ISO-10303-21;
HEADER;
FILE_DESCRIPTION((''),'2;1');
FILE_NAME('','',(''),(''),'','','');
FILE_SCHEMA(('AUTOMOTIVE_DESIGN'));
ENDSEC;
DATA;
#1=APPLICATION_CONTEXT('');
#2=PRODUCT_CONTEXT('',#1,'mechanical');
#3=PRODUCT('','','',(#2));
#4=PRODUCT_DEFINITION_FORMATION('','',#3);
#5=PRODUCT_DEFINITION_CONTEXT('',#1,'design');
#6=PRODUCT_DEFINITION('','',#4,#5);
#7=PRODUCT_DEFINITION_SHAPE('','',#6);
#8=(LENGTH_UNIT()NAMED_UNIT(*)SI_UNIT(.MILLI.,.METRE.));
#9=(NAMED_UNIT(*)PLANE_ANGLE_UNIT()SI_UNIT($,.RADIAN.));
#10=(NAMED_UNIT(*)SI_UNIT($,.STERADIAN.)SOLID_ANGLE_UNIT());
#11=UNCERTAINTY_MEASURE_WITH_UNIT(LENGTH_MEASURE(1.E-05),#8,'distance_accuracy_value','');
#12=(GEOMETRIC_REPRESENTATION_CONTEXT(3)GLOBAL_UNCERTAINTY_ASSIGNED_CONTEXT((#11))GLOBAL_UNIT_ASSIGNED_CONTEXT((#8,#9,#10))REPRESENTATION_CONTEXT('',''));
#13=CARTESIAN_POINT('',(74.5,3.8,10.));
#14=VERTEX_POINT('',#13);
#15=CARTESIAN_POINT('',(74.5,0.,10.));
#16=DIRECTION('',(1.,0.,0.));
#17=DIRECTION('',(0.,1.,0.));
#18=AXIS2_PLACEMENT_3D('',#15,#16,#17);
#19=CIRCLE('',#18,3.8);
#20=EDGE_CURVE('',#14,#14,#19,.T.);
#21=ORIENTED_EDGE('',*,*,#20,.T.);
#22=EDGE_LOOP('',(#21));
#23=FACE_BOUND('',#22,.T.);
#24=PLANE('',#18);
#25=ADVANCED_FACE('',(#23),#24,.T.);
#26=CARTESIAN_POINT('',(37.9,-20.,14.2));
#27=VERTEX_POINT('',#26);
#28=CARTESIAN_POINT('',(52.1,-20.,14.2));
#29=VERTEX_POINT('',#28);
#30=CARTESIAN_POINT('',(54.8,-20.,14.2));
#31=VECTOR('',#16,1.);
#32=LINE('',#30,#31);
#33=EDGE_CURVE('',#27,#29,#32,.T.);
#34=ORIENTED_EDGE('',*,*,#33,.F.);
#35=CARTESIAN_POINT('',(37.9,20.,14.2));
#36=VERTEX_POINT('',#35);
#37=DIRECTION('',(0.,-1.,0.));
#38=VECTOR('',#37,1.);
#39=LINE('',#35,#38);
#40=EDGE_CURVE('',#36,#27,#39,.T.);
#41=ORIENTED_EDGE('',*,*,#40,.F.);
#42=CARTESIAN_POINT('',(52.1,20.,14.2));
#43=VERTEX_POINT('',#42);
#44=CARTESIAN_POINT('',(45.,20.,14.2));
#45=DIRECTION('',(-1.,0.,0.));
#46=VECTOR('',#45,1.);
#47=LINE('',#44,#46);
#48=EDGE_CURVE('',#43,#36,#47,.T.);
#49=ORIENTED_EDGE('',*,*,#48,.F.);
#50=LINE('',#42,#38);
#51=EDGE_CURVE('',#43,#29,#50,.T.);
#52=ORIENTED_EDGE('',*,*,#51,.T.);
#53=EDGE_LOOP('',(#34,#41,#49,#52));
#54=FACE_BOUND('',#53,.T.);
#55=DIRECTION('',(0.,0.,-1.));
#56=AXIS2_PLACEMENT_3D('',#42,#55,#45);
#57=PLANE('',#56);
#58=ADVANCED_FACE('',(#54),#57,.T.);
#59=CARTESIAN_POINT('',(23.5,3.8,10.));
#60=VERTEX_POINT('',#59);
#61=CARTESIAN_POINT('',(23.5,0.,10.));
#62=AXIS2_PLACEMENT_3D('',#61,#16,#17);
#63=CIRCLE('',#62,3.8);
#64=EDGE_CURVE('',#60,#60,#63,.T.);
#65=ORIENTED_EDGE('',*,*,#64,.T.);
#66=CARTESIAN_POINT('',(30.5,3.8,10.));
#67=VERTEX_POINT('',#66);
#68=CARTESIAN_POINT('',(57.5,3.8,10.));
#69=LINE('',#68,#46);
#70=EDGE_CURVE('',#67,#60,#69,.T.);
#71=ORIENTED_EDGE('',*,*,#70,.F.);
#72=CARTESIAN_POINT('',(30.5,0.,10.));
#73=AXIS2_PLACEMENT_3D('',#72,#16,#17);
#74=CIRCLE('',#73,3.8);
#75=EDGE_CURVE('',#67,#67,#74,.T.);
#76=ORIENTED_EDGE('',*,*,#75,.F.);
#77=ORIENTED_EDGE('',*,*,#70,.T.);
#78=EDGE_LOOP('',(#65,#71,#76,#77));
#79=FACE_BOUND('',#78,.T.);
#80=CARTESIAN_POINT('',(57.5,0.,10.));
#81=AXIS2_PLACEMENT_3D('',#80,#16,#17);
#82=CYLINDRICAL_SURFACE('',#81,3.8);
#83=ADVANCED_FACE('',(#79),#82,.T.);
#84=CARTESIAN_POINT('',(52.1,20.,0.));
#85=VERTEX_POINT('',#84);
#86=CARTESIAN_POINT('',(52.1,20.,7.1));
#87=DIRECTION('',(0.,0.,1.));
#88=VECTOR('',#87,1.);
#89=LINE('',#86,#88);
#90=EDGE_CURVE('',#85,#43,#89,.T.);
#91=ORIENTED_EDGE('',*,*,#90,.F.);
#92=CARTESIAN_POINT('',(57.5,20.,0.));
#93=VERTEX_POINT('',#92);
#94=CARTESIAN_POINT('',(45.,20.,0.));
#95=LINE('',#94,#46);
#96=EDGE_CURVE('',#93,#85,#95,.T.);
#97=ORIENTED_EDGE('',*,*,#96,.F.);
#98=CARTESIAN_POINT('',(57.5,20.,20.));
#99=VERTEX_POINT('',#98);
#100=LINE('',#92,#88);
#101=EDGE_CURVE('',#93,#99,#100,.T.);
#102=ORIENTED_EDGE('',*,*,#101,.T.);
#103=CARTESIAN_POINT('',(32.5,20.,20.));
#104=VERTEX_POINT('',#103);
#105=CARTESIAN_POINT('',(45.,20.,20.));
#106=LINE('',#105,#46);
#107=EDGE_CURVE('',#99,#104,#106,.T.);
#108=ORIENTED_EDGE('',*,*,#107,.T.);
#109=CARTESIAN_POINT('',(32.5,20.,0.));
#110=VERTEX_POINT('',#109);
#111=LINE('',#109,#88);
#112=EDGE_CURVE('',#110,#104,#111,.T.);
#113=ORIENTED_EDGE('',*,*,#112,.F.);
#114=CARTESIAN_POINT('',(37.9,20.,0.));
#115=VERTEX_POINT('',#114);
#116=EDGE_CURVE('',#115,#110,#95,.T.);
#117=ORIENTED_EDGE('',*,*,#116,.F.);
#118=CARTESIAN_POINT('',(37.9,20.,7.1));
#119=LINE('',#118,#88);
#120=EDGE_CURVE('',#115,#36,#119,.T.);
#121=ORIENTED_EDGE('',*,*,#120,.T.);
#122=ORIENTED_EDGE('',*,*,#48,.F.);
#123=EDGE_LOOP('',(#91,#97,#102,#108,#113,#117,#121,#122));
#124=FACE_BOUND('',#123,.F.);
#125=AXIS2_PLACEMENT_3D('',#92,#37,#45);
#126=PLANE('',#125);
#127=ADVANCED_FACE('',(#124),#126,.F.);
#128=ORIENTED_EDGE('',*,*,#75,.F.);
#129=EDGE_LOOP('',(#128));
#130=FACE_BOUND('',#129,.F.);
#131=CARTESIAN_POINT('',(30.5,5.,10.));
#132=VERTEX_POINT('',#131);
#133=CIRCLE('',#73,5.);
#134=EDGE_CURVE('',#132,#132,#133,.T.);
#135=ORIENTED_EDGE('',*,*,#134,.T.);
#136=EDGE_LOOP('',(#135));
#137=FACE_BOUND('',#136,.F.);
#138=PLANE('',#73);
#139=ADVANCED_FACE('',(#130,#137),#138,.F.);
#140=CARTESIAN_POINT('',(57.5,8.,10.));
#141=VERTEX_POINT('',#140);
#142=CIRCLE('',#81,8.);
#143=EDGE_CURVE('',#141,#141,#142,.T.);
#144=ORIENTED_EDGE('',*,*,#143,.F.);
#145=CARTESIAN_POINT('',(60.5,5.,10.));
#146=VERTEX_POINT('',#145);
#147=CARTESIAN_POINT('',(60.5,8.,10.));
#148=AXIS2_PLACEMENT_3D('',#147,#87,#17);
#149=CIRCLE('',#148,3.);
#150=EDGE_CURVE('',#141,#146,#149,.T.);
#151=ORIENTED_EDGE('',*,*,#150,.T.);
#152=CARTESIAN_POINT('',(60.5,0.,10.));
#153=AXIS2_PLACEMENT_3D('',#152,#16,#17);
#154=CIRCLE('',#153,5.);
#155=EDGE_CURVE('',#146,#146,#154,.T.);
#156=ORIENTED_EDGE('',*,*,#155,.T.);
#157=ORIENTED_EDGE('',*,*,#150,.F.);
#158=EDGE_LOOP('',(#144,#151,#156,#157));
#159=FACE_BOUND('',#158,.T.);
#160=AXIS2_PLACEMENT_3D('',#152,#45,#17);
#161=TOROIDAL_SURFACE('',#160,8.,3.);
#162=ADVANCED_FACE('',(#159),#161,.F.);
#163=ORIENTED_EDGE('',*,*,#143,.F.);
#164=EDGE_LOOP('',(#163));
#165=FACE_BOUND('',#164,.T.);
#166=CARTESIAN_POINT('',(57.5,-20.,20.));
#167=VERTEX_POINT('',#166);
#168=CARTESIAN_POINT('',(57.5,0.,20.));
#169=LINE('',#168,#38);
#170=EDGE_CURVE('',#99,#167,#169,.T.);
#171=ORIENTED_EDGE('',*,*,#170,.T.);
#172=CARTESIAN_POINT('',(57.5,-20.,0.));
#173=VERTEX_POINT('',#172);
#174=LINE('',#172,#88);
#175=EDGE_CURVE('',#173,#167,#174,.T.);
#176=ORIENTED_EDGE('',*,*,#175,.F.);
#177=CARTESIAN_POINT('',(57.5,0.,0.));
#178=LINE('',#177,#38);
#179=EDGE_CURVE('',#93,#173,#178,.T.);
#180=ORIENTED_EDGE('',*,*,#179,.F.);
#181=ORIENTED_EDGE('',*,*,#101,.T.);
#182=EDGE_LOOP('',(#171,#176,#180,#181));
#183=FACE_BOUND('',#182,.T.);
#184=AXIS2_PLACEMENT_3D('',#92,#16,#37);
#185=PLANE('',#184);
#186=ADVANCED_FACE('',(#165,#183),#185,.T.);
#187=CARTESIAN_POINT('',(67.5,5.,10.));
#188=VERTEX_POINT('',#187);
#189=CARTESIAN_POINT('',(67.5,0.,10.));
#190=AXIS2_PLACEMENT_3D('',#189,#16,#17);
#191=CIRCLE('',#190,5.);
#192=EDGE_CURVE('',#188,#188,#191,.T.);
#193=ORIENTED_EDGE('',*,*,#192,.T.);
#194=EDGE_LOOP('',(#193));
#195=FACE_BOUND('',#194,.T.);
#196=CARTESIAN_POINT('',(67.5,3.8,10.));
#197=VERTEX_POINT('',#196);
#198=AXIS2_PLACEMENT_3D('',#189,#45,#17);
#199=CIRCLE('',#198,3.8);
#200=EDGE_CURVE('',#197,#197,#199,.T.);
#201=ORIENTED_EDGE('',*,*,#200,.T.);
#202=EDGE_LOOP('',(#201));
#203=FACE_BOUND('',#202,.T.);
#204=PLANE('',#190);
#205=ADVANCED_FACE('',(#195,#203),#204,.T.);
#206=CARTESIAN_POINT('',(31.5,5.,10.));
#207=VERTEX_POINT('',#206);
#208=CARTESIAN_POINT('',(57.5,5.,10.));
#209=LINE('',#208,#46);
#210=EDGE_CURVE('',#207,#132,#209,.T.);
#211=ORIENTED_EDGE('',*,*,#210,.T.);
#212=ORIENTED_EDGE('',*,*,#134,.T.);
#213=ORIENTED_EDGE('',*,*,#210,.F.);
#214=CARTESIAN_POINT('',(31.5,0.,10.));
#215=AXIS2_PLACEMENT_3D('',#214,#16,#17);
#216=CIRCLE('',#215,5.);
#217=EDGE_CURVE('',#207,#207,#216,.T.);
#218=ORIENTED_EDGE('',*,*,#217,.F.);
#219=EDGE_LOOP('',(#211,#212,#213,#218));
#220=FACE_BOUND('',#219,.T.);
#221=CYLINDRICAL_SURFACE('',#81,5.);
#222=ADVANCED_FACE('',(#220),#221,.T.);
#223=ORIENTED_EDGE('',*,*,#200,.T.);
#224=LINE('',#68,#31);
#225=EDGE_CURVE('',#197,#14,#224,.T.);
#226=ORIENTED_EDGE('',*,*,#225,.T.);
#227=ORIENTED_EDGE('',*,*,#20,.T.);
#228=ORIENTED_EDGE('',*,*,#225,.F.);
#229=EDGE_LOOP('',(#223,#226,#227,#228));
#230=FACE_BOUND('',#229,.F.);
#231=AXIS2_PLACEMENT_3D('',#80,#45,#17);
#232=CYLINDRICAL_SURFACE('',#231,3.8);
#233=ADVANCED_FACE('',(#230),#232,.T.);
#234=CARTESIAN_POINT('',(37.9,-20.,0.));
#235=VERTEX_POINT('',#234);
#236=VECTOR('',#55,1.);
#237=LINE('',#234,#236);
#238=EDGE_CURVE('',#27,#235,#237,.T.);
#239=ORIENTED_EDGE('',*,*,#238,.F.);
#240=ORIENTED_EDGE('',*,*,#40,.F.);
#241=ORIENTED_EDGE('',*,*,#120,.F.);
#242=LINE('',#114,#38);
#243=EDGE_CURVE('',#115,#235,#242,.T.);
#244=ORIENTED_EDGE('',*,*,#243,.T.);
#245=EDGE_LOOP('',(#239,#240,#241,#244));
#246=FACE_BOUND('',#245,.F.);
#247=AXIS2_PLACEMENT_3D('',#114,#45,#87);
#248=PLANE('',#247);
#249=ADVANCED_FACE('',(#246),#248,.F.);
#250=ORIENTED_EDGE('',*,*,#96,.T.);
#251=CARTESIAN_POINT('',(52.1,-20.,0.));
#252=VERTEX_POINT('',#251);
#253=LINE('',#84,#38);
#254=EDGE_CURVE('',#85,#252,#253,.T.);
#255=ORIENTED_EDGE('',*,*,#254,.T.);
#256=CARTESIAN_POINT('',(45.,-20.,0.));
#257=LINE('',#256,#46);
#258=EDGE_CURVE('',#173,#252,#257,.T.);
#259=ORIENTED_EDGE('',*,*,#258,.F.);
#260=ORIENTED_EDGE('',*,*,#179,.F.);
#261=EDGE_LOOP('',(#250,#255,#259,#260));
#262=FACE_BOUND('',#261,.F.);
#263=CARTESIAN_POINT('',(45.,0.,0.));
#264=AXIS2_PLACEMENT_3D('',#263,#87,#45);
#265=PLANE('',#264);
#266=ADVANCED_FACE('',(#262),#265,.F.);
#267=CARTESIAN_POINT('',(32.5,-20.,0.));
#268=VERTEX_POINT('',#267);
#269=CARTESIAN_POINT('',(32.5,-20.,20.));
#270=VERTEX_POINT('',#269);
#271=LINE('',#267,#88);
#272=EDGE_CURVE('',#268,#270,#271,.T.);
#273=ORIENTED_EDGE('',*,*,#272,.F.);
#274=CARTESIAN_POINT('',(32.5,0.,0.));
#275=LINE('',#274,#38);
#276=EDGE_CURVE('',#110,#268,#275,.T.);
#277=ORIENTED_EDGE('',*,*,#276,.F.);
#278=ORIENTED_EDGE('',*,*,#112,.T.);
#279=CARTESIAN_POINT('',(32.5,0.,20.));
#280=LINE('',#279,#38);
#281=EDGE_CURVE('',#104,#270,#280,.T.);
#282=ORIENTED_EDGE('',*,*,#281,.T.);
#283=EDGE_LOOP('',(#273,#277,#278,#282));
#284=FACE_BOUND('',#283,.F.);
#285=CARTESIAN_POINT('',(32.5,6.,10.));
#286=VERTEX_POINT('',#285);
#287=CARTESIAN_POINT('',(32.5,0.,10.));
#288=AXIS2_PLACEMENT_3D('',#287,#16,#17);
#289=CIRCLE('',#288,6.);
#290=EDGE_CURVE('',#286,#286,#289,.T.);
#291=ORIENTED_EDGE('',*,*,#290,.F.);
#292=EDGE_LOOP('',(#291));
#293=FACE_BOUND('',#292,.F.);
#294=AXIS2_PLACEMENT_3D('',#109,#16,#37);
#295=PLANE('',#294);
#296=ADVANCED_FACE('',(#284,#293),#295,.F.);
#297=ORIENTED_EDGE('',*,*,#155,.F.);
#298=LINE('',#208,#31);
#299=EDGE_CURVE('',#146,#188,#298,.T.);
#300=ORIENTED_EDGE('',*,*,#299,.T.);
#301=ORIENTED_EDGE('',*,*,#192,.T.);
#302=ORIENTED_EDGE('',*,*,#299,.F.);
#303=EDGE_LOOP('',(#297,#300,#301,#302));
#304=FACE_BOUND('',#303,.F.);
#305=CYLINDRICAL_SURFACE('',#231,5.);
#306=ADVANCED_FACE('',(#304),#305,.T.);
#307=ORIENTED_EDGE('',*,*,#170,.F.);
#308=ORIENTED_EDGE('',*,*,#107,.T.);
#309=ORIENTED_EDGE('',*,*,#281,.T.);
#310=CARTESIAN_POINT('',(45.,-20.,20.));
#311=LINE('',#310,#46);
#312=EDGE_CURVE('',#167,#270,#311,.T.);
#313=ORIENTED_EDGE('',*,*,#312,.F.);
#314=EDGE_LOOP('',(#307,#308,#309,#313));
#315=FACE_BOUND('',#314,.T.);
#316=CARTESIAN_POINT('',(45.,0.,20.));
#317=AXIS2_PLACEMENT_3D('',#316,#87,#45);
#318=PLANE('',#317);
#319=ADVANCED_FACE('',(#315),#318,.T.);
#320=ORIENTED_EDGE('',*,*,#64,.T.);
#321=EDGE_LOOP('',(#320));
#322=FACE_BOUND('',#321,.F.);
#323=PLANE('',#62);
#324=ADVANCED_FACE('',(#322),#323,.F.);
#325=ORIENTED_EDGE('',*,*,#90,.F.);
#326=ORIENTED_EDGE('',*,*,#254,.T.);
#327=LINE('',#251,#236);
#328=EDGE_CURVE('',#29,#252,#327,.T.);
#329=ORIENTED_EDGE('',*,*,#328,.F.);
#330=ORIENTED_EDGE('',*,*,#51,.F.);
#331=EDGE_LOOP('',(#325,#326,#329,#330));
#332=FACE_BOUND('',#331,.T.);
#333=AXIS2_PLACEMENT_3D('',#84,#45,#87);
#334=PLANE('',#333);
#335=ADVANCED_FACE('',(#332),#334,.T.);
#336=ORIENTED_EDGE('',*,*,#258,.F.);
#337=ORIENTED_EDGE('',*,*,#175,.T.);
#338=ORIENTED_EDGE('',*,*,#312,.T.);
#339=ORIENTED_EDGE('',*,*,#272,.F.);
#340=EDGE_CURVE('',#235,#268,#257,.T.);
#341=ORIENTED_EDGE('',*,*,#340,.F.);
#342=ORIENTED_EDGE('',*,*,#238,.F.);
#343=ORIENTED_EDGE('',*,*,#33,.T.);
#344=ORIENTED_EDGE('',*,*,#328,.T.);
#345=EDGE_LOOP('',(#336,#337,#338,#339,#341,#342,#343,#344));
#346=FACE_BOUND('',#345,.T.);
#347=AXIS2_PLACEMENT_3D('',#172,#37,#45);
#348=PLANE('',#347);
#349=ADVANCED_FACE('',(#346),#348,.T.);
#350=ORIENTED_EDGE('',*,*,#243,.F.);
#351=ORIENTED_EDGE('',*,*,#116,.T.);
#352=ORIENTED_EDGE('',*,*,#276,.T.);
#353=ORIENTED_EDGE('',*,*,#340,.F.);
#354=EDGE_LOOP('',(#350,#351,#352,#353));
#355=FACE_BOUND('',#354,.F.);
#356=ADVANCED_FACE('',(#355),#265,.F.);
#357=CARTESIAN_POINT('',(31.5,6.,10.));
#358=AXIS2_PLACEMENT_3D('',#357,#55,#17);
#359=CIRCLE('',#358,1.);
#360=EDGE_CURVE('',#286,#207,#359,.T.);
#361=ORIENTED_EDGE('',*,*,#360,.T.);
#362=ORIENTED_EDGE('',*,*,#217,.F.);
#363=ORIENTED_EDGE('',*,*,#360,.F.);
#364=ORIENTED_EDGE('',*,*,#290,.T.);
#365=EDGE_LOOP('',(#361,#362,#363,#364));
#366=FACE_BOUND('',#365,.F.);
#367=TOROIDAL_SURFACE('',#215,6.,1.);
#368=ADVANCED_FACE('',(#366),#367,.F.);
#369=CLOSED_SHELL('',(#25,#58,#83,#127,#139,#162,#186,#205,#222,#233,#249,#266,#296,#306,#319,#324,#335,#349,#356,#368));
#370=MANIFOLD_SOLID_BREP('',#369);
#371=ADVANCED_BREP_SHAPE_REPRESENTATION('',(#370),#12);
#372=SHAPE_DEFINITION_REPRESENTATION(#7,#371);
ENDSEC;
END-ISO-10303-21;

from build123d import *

# Parameters (mm, degrees)
SKETCH_W              = 25
SKETCH_H              = 40
PAD_DEPTH             = 20
SKETCH001_R           = 3.8
PAD001_DEPTH          = 17
PAD001_DEPTH_BACK     = 34
SKETCH002_R           = 5
PAD002_DEPTH          = 10
PAD002_DEPTH_BACK     = 27
SKETCH003_W           = 14.2
SKETCH003_H           = 14.2
POCKET_DEPTH          = 50
FILLET003_R           = 3
FILLET004_R           = 1
CLONE_PLACEMENT_ANGLE = 180


with BuildPart() as part:
    # Sketch → Pad (new body)
    with BuildSketch(Plane.XY):
        Rectangle(SKETCH_W, SKETCH_H)
    extrude(amount=PAD_DEPTH)

    # Sketch001 → Pad001 (new body, two sides)
    with BuildSketch(Plane(origin=(-12.5, 0, 0), x_dir=(0, -1, 0), z_dir=(-1, 0, 0))) as pad001_sk:
        with Locations((0, 10)):
            Circle(SKETCH001_R)
    extrude(amount=PAD001_DEPTH)
    extrude(pad001_sk.sketch, amount=-PAD001_DEPTH_BACK)

    # Sketch002 → Pad002 (new body, two sides)
    with BuildSketch(Plane(origin=(-12.5, 0, 0), x_dir=(0, -1, 0), z_dir=(-1, 0, 0))) as pad002_sk:
        with Locations((0, 10)):
            Circle(SKETCH002_R)
    extrude(amount=PAD002_DEPTH)
    extrude(pad002_sk.sketch, amount=-PAD002_DEPTH_BACK)

    # Sketch003 → Pocket (cut)
    with BuildSketch(Plane.XZ.offset(20)):
        with Locations((0, 7.1)):
            Rectangle(SKETCH003_W, SKETCH003_H)
    extrude(amount=-POCKET_DEPTH, mode=Mode.SUBTRACT)

    # Fillet003
    fillet003_edges = [part.edges().sort_by_distance(p)[0] for p in [
        (-12.5, 5, 10),
    ]]
    fillet(fillet003_edges, radius=FILLET003_R)

    # Fillet004
    fillet004_edges = [part.edges().sort_by_distance(p)[0] for p in [
        (12.5, 5, 10),
    ]]
    fillet(fillet004_edges, radius=FILLET004_R)


with BuildPart() as part_1:
    # Clone placement: moved
    add(part.part.moved(Location((45, 0, 0))).rotate(Axis((45, 0, 0), (0, 0, 1)), CLONE_PLACEMENT_ANGLE))


solid = part_1.part
